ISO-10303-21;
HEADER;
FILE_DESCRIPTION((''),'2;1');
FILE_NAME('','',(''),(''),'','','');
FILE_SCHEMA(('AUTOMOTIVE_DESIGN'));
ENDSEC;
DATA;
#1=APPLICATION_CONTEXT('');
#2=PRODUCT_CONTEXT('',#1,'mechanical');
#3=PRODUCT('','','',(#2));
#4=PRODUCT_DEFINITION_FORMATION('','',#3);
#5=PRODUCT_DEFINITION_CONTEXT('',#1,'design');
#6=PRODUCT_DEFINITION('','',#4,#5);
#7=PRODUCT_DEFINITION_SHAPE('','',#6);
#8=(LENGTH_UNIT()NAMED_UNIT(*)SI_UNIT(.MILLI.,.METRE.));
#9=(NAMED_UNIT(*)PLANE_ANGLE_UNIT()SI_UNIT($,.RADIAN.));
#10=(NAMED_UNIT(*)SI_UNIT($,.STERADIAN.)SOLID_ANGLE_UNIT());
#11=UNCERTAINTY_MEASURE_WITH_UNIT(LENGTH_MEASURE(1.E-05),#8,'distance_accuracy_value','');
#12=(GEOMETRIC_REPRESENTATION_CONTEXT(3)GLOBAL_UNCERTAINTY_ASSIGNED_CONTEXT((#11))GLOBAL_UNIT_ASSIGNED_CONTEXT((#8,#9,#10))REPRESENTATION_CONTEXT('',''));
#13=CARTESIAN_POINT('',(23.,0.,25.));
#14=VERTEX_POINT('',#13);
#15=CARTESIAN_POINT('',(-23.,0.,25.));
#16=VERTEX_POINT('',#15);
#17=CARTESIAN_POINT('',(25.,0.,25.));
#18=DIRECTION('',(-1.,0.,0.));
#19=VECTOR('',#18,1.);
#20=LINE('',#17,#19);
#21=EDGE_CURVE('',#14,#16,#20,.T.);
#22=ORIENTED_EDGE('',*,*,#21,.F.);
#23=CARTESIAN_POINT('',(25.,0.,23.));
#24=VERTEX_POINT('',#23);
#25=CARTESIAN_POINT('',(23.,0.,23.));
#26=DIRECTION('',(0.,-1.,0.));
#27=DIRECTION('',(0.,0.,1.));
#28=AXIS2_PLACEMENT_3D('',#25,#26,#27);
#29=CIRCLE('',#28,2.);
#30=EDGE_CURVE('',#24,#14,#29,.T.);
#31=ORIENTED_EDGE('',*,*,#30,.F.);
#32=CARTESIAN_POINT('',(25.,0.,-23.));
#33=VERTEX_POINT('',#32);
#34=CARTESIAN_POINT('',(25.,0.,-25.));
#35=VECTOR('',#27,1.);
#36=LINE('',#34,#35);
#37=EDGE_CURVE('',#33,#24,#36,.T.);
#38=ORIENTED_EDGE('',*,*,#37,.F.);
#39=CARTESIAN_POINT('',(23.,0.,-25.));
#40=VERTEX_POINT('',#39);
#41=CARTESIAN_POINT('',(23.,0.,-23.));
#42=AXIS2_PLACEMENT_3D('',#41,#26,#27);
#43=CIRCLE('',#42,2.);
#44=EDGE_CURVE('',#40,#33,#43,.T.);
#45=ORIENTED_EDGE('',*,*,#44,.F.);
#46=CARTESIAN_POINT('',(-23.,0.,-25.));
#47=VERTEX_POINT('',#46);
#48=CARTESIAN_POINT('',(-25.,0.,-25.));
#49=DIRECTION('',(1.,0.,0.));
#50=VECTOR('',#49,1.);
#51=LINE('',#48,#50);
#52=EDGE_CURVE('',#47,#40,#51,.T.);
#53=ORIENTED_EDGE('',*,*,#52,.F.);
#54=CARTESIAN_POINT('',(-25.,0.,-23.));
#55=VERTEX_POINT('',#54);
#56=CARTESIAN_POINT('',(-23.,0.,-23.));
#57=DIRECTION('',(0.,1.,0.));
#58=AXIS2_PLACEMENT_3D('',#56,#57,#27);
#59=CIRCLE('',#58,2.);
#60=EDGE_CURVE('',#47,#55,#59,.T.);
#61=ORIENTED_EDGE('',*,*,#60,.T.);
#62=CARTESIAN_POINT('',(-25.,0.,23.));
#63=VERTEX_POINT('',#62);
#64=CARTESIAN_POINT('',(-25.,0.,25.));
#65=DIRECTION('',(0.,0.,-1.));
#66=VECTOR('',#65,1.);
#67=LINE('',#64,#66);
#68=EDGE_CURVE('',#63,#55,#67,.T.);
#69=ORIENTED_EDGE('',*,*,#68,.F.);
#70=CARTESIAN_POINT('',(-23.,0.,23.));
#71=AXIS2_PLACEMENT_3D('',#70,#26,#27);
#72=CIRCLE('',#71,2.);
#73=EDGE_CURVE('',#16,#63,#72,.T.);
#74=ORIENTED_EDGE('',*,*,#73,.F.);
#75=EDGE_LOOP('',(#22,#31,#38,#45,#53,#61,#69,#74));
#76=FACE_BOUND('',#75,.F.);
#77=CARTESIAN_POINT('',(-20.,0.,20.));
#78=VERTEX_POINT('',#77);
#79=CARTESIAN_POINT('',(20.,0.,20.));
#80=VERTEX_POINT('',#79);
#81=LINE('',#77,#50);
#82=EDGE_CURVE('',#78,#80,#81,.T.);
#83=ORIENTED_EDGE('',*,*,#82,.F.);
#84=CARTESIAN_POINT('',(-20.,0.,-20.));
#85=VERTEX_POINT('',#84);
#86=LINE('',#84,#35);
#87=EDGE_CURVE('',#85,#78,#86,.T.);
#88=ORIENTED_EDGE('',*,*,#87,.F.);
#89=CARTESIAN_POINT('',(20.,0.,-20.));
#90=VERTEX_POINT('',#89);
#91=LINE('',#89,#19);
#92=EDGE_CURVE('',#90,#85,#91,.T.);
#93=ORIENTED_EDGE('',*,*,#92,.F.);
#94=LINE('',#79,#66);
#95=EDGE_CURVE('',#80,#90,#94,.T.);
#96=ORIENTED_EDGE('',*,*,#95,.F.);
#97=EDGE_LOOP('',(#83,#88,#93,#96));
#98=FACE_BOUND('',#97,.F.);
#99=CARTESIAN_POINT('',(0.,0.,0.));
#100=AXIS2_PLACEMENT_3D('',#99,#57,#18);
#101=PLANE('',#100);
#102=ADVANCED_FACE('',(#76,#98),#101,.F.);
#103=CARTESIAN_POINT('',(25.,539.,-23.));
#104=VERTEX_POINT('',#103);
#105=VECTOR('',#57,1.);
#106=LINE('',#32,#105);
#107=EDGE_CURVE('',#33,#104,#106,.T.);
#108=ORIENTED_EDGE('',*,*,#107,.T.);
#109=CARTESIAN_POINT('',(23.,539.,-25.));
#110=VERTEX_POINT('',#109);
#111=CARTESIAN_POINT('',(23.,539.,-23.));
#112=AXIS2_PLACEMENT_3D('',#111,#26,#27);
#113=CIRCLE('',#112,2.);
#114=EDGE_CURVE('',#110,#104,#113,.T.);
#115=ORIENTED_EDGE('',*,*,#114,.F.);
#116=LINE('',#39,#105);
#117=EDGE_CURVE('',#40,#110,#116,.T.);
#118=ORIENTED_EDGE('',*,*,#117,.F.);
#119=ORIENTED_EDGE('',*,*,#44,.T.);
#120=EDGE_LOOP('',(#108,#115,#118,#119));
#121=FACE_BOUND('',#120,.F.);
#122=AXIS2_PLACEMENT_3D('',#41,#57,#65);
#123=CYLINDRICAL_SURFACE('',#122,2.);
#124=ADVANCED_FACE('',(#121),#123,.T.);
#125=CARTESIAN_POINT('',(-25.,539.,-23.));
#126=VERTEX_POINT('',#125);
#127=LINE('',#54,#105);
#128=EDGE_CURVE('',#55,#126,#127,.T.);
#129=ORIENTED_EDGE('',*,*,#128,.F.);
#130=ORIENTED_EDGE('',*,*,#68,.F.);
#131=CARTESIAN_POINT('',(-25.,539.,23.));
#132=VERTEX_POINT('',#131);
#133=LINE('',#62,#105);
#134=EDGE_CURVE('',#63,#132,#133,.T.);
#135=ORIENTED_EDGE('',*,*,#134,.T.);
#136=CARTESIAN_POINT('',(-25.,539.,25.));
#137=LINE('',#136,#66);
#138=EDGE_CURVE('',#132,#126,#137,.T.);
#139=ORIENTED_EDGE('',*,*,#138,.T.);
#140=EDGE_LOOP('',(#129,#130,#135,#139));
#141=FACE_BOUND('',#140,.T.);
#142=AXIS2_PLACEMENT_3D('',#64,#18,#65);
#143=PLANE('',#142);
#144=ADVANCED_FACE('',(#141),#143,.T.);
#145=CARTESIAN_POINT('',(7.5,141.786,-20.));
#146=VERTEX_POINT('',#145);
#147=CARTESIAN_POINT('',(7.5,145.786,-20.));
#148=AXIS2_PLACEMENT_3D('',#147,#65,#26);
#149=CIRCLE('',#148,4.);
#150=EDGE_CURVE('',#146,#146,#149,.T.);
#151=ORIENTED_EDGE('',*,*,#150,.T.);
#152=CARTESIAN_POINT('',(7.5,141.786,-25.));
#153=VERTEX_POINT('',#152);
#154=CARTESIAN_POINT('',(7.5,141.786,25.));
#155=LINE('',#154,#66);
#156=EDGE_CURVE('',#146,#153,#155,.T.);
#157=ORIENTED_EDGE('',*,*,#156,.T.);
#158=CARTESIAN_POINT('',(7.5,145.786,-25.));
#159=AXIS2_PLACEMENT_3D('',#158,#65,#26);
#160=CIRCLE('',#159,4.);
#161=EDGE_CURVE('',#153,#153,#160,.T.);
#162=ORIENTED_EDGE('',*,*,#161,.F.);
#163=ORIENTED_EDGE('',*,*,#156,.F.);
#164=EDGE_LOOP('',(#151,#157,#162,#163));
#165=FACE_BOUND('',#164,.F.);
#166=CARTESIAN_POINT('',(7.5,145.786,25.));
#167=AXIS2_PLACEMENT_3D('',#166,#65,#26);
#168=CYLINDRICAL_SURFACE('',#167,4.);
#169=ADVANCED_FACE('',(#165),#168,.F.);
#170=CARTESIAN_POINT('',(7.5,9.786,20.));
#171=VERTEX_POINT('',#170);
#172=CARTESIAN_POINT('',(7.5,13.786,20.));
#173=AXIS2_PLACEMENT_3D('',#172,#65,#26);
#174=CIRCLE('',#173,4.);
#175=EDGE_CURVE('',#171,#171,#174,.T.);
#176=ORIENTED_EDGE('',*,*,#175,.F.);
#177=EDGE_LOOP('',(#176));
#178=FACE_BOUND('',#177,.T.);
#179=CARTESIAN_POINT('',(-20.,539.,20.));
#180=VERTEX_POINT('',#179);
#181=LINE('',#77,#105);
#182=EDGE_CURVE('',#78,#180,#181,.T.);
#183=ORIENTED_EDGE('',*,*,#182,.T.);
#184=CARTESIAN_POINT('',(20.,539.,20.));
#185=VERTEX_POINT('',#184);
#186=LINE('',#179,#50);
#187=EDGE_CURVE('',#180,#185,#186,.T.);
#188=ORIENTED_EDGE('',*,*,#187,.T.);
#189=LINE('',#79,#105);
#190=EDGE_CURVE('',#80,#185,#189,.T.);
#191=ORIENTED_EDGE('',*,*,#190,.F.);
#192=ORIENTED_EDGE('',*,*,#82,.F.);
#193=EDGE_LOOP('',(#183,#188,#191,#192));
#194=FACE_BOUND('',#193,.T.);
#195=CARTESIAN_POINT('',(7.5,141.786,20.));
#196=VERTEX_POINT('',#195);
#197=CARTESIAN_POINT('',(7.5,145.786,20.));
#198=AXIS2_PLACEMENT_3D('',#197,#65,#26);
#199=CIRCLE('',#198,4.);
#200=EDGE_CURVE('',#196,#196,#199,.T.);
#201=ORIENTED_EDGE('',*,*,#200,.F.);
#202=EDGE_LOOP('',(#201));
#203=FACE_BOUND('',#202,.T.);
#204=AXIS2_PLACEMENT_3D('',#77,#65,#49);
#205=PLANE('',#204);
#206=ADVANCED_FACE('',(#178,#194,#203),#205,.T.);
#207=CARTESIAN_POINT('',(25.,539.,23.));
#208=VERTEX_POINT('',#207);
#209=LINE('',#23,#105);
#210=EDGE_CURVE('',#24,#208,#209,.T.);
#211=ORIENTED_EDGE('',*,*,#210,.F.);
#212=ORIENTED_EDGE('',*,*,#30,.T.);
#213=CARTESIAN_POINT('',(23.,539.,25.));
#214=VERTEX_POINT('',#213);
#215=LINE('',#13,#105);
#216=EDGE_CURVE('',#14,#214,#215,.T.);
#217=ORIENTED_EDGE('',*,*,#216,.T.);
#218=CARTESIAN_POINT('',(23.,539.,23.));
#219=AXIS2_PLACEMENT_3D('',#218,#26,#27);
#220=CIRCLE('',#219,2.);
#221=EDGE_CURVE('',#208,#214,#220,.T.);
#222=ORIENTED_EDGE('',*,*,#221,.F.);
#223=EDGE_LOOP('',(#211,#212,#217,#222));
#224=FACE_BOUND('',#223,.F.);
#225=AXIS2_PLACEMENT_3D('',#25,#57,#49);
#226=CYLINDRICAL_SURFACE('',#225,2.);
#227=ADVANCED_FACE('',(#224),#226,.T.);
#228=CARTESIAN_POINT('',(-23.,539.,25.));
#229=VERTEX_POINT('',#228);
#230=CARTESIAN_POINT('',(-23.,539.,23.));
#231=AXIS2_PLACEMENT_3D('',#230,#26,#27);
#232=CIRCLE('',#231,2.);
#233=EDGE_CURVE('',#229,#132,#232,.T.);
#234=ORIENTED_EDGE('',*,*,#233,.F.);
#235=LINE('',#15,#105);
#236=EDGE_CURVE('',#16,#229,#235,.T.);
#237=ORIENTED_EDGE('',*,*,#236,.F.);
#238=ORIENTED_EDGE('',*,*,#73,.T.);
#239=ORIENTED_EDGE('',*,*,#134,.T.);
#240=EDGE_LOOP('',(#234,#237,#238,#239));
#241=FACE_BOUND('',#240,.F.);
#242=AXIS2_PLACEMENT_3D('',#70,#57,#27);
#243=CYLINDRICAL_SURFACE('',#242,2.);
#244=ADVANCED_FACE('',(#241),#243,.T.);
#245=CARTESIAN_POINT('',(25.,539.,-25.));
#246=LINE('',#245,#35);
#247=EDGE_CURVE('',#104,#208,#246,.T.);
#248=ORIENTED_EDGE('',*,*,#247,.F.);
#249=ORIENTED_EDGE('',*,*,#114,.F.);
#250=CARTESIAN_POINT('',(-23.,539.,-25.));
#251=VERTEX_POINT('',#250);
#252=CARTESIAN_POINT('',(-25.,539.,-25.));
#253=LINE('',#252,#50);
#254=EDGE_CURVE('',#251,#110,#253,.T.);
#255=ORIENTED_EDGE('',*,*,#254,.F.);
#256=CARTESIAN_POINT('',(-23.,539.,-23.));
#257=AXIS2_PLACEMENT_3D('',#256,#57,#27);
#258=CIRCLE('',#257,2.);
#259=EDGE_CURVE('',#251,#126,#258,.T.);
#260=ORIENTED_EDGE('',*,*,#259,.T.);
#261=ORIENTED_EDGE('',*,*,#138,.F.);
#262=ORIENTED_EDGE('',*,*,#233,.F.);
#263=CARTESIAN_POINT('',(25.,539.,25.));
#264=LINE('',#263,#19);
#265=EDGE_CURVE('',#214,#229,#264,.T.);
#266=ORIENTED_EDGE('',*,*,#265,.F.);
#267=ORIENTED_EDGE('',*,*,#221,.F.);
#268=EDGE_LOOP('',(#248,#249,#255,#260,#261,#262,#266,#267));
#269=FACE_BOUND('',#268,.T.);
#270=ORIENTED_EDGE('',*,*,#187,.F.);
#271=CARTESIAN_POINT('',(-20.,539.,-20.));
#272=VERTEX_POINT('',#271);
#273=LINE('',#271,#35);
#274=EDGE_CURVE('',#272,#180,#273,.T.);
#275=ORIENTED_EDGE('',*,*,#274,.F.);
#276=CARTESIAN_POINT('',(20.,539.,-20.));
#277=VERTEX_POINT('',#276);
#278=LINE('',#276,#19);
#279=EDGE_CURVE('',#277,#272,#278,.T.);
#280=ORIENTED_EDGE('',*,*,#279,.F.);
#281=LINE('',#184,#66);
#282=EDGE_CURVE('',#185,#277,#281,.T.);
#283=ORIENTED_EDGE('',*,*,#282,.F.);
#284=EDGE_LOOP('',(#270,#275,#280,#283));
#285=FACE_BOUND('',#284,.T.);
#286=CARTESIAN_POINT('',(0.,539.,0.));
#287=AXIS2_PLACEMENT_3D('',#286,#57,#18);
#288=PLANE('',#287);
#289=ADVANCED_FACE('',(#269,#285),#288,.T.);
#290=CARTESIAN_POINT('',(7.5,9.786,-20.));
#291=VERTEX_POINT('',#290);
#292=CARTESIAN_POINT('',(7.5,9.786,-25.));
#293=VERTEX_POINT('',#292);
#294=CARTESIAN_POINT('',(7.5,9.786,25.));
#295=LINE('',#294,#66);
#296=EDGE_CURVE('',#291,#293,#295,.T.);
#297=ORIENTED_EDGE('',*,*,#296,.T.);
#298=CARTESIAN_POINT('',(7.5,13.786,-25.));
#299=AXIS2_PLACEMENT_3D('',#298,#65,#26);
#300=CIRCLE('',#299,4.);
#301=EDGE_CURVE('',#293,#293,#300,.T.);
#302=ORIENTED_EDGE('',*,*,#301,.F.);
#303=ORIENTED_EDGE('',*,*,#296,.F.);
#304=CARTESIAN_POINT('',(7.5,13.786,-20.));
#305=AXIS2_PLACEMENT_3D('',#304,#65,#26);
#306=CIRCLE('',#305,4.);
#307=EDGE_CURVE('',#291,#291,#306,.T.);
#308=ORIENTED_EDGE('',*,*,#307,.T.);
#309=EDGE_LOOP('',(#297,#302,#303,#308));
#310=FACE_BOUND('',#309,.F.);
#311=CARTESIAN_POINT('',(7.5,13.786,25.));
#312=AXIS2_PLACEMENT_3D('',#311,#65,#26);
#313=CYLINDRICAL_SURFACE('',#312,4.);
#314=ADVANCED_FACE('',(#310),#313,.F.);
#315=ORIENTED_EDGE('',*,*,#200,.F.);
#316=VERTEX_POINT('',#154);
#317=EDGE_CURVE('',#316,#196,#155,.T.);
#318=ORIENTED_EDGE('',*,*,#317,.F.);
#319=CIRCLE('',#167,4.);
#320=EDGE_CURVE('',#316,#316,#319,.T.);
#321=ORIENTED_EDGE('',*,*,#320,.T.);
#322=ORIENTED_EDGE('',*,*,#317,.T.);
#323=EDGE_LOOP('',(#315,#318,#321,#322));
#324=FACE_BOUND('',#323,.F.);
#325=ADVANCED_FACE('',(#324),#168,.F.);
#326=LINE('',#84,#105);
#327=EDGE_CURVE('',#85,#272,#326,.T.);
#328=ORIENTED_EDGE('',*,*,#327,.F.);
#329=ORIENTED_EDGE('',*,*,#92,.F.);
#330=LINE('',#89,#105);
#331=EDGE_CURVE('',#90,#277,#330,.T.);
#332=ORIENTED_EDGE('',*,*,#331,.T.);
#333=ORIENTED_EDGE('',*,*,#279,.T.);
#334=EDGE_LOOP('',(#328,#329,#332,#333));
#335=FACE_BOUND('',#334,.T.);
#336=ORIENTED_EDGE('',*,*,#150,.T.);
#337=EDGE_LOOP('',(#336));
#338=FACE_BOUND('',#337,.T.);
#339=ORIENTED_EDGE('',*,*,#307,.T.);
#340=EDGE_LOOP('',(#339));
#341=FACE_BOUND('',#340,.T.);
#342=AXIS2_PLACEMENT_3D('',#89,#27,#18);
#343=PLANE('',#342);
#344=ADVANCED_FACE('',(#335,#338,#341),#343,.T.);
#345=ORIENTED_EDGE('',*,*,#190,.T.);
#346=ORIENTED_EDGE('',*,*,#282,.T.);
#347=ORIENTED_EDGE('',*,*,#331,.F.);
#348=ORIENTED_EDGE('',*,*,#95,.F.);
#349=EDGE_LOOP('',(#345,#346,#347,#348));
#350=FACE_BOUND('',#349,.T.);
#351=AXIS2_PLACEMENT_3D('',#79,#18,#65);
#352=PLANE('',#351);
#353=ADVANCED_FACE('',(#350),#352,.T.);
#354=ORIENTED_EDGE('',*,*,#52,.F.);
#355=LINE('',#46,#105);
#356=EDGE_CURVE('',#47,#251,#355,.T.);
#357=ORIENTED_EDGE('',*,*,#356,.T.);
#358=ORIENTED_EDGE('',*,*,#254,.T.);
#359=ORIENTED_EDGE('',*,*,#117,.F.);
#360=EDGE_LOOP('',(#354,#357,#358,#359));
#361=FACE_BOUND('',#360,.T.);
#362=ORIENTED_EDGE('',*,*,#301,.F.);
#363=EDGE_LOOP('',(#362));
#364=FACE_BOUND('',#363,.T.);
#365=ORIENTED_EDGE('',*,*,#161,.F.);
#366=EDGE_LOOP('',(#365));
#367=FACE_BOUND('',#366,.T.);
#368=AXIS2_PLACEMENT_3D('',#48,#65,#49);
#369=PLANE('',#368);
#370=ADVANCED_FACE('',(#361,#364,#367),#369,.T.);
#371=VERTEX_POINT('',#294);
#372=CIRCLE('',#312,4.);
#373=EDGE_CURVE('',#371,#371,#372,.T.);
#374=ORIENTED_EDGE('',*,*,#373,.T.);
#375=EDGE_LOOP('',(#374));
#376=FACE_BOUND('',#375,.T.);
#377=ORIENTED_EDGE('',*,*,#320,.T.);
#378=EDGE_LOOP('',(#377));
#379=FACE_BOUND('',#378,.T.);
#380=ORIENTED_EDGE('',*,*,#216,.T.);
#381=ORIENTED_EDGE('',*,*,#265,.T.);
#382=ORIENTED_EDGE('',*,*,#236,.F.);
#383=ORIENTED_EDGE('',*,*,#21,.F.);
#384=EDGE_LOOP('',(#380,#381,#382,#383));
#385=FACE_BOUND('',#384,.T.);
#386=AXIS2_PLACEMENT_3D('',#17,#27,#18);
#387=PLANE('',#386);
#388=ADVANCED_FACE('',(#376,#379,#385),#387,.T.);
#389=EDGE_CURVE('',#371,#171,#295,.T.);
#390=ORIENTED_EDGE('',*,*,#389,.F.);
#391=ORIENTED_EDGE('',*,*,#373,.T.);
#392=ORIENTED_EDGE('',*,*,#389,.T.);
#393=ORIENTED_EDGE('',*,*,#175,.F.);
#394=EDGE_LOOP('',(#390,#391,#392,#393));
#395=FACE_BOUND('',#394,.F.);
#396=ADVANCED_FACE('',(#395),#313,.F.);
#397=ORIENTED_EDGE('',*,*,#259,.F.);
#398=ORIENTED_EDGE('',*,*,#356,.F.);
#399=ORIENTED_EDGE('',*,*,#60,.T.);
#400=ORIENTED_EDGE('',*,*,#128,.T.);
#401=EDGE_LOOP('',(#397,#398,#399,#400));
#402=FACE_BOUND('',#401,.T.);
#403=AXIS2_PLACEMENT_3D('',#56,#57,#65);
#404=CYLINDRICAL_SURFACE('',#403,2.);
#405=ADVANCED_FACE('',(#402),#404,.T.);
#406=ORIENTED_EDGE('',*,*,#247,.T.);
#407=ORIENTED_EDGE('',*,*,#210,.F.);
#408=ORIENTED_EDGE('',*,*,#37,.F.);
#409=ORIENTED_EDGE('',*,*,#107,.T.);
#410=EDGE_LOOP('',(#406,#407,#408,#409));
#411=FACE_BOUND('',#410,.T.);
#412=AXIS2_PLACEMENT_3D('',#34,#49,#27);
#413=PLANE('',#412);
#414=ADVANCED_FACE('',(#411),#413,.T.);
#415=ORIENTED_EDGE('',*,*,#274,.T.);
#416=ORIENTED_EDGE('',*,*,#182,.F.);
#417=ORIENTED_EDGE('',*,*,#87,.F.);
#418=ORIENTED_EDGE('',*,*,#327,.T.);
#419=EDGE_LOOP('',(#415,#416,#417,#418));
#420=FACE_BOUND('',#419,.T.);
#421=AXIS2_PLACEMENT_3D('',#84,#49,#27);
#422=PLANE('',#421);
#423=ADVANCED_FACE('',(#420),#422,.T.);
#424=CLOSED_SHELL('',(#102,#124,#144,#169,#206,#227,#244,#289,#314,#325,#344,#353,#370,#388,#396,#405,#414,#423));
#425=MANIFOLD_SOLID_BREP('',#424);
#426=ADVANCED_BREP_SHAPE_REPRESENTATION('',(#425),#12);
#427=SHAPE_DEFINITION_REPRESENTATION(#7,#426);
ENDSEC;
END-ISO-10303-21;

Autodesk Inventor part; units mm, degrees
ref_plane "YZ Plane" through (0, 0, 0) normal (1, 0, 0) x (0, 1, 0)
ref_plane "XZ Plane" through (0, 0, 0) normal (0, 1, 0) x (-1, 0, 0)
ref_plane "XY Plane" through (0, 0, 0) normal (0, 0, 1) x (1, 0, 0)
sketch "Sketch1" plane through (0, 0, 0) normal (0, 1, 0) x (-1, 0, 0)
  line L0 (25, -25) -> (-25, -25)
  line L1 (-25, -25) -> (-25, 25)
  line L2 (-25, 25) -> (25, 25)
  line L3 (25, 25) -> (25, -25)
  line L4 (-20, -20) -> (20, -20)
  line L5 (20, -20) -> (20, 20)
  line L6 (20, 20) -> (-20, 20)
  line L7 (-20, 20) -> (-20, -20)
  point P0 (0, 0)
  dimension "d0" = 50
  dimension "d1" = 50
  dimension "d2" = 25
  dimension "d3" = 25
  dimension "d4" = 5
extrude "Extrusion1" add sketch "Sketch1" along normal blind 539
fillet "Fillet1" radius 2 4 edges at (25, 269.5, -25) (25, 269.5, 25) (-25, 269.5, 25) (-25, 269.5, -25)
sketch "Sketch2" plane through (-23, 0, 25) normal (0, 0, 1) x (1, 0, 0)
  line L0 (-78.8613, 79.786) -> (128.2392, 79.786)
  line L1 (0, 539) -> (46, 539) projected
  line L2 (48, 0) -> (48, 539) projected
  point P0 (23, 0)
  point P1 (30.5, 145.786)
  point P2 (30.5, 13.786)
  dimension "d19" = 459.214
  dimension "d22" = 66
  dimension "d23" = 66
  dimension "d24" = 17.5
  dimension "d25" = 0
hole "Hole1" at (7.5, 145.786, 25) at (7.5, 13.786, 25) direction (0, 0, -1) diameter 8 end through all
equation "\"d0\" = w"
equation "\"d1\" = d0"
equation "\"d2\" = 0.5 * d1"
equation "\"d3\" = 0.5 * d0"
equation "\"d4\" = t"
equation "\"d5\" = L"
equation "\"d23\" = d22"
equation "\"w\" = support_frame_squareBarDimension"
equation "\"t\" = support_frame_squareBarThickness"
equation "\"L\" = 539"
equation "\"hoop_angle_z\" = 45deg"
equation "\"hoop_bearing_length\" = 5deg"
equation "\"hoop_bushing12_od\" = -2 * hoop_thickness_large + hoop_width_large + hoop_bushing12_radialInterference"
equation "\"hoop_bushing12_radialInterference\" = 0"
equation "\"hoop_bushing12_thickness\" = -hoop_width_medium + hoop_bushing12_od - 2 * hoop_bushing12_radialInterference"
equation "\"hoop_bushing23_od\" = -2 * hoop_thickness_medium + hoop_width_medium + hoop_bushing23_radialInterference"
equation "\"hoop_bushing23_radialInterference\" = 0"
equation "\"hoop_bushing23_thickness\" = -hoop_width_small + hoop_bushing23_od - 2 * hoop_bushing23_radialInterference"
equation "\"hoop_cable_diam\" = 5"
equation "\"hoop_cable_pulley_diam\" = 22"
equation "\"hoop_tabs_hole\" = 12"
equation "\"hoop_tabs_thickness\" = 6"
equation "\"hoop_thickness_large\" = 4"
equation "\"hoop_thickness_medium\" = 3.2"
equation "\"hoop_thickness_small\" = 2"
equation "\"hoop_width_large\" = 51"
equation "\"hoop_width_medium\" = 33.7"
equation "\"hoop_width_small\" = 25.4"
equation "\"rack_tooth_addendum\" = 5"
equation "\"rack_tooth_dedendum\" = 5"
equation "\"rack_tooth_thickness\" = 5"
equation "\"secure_arm_angle\" = 35deg"
equation "\"secure_arm_radii\" = 9"
equation "\"sm_varx_member_tolerance\" = 0"
equation "\"sm_varx_pinPlate_holeDiameter\" = 5"
equation "\"sm_varx_pinPlate_thickness\" = 5"
equation "\"sm_varx_squareBarThickness\" = 2.5"
equation "\"support_baseClamp_platformLengthBuffer\" = 35"
equation "\"support_baseClamp_platformThickness\" = 15"
equation "\"support_baseClamp_platformWidthBuffer\" = 0"
equation "\"support_baseClamp_sleeveHoleDiameter\" = 12"
equation "\"support_baseClamp_sleeveSweepTerminationAngle\" = 55deg"
equation "\"support_baseClamp_thickness\" = 8"
equation "\"support_frame_endHoleBuffer\" = 45"
equation "\"support_frame_squareBarFillet\" = 2"
equation "\"support_frame_squareBarThickness\" = 5"
equation "\"wheelchair_deployed_height\" = 914"
equation "\"wheelchair_deployed_length\" = 1067"
equation "\"wheelchair_deployed_width\" = 635"
equation "\"wheelchatir_pos_deploy_angle_0\" = 65deg"
equation "\"wheelchatir_pos_store_angle_0\" = 90deg"
equation "\"wheelchatir_pos_deploy_angle_1\" = 20deg"
equation "\"wheelchatir_pos_store_angle_1\" = 20deg"
equation "\"support_frame_squareBarDimension\" = 50"
properties part number "support_frame_z" material "Steel, Mild"
